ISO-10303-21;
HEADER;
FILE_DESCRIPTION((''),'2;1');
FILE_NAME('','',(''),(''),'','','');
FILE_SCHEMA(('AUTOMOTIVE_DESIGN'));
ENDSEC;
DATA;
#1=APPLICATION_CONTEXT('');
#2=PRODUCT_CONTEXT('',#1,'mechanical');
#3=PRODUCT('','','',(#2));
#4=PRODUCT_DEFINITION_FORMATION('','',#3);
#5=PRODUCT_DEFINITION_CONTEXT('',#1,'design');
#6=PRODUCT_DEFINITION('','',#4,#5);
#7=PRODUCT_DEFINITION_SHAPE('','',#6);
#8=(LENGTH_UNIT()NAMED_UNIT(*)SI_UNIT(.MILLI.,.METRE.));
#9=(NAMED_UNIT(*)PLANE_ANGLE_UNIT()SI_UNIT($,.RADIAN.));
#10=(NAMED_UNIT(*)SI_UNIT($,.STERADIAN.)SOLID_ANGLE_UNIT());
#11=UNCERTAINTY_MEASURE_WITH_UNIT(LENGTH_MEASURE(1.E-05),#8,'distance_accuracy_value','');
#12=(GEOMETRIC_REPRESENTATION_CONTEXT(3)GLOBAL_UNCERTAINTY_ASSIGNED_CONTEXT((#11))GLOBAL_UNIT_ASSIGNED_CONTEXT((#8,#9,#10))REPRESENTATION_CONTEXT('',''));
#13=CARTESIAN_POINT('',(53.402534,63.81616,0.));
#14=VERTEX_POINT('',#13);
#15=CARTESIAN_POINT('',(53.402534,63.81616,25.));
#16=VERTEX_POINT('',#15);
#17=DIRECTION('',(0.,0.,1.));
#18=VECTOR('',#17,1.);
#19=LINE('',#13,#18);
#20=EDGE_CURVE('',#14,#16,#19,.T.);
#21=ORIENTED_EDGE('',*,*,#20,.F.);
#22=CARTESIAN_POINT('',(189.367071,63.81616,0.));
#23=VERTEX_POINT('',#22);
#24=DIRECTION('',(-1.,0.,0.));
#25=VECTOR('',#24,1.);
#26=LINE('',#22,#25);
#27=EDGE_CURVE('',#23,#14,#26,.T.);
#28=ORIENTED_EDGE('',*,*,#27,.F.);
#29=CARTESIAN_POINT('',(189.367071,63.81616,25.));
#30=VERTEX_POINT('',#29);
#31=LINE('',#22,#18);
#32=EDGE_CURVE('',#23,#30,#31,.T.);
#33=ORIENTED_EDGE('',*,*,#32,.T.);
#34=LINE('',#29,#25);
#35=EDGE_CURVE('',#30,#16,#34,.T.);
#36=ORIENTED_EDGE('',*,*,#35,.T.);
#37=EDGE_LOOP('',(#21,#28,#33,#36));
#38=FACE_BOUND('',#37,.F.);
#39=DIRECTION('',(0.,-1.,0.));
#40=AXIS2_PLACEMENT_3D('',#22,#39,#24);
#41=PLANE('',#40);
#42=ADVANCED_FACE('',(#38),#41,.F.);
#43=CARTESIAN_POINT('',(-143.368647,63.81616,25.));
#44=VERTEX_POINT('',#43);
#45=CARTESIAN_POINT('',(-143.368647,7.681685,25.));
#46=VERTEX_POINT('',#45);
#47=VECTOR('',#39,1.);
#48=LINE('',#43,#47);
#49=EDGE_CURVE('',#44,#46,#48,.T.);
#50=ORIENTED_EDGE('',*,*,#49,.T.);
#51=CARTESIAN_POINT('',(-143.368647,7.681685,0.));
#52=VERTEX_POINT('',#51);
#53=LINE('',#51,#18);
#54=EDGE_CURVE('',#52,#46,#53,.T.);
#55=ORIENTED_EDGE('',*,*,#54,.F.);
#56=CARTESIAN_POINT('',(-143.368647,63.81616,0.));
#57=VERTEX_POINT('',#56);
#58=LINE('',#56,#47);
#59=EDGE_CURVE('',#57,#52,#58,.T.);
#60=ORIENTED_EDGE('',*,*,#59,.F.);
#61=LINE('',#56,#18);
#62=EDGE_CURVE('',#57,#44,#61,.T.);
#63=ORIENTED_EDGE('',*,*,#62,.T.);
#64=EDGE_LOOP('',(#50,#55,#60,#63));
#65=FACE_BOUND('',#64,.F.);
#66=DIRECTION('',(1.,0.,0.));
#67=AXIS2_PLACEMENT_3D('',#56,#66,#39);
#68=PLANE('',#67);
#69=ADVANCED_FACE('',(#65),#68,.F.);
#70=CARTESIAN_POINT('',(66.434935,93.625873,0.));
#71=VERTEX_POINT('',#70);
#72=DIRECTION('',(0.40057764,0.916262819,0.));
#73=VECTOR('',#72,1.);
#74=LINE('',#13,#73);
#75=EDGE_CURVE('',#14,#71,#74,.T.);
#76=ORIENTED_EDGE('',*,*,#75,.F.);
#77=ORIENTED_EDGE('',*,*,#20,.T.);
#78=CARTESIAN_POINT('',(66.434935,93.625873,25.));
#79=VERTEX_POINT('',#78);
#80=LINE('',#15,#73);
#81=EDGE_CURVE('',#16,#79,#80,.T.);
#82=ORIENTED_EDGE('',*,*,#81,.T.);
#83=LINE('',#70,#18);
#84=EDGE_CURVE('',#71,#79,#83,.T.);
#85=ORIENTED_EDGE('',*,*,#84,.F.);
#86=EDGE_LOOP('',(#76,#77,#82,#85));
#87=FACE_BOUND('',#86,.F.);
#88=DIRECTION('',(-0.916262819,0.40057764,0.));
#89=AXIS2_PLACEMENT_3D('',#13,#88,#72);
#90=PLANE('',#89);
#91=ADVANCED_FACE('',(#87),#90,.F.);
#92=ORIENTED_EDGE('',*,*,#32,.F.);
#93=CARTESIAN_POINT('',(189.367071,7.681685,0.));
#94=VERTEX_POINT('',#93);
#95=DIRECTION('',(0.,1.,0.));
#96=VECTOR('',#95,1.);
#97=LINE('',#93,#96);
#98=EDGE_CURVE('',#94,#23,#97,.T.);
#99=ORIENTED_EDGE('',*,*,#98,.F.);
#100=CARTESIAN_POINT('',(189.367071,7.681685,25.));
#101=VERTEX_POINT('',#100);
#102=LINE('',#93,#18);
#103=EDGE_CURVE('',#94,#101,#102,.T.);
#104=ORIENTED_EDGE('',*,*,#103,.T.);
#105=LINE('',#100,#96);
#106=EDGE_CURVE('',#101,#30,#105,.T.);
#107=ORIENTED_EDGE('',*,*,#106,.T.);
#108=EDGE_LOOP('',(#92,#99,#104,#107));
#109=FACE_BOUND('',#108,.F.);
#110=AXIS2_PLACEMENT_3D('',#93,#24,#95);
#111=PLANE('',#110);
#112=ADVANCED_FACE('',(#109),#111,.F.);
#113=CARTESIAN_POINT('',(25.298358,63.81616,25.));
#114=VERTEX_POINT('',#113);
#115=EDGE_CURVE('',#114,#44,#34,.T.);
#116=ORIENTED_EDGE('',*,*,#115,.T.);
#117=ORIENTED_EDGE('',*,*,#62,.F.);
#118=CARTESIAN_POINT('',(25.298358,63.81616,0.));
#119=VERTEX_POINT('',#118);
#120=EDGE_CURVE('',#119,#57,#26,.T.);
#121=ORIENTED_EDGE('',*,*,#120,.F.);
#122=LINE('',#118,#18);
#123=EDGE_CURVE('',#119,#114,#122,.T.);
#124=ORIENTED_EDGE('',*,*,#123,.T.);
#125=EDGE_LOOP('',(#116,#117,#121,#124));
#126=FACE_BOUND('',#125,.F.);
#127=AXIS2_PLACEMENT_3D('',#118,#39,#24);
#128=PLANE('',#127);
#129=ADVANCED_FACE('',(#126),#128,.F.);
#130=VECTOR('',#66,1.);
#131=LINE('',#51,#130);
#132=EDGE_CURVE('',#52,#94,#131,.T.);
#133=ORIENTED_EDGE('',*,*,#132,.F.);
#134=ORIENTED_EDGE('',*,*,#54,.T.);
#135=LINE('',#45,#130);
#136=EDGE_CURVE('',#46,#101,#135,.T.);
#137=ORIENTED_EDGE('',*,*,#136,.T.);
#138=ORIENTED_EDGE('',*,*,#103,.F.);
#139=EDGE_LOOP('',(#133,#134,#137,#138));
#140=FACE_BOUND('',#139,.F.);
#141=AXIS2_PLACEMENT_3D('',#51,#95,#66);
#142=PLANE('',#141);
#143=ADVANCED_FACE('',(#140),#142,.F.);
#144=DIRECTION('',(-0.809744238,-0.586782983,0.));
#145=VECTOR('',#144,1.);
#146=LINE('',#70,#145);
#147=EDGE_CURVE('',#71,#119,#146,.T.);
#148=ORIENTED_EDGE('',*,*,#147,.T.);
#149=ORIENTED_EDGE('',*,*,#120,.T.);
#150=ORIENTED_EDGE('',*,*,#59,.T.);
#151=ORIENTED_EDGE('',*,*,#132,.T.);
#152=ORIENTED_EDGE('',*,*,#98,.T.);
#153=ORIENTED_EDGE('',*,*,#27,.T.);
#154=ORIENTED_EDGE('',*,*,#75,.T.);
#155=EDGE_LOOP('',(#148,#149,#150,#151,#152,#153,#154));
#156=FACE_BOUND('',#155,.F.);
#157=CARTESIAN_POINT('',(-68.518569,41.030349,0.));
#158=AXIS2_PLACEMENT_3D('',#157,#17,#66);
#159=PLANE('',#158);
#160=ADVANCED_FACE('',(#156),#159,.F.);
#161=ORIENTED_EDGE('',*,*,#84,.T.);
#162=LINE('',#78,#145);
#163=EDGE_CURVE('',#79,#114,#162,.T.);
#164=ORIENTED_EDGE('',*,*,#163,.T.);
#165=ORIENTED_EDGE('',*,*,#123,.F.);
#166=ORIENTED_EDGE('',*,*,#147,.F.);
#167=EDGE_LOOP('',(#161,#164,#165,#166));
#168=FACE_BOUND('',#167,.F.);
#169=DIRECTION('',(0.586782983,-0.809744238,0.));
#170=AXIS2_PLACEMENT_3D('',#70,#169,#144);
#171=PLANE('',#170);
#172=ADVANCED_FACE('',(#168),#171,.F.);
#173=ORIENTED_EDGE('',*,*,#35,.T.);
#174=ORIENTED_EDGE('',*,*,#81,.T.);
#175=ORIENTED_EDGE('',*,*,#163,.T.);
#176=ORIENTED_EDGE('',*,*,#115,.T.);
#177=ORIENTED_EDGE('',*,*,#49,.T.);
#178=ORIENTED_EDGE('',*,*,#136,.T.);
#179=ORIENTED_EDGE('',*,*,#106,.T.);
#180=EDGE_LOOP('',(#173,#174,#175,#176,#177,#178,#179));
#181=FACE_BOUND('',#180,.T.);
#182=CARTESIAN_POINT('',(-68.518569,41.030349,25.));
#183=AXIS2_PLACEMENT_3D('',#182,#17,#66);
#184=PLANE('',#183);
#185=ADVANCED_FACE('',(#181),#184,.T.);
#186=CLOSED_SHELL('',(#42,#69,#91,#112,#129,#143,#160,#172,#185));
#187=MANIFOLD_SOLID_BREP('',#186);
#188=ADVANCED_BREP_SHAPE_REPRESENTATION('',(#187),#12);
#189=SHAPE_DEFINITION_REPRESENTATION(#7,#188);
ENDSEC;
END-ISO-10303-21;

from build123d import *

# Parameters (mm, degrees)
F1_DEPTH = 25


with BuildPart() as f1:
    # F0 (on Top) → F1 (new body)
    with BuildSketch(Plane.XY):
        Polygon((-143.368647, 7.681685), (-52.16566, 7.681685), (25.298358, 63.81616), (-143.368647, 63.81616), align=None)
        Polygon((25.298358, 63.81616), (-52.16566, 7.681685), (189.367071, 7.681685), (189.367071, 63.81616), (53.402534, 63.81616), align=None)
        Polygon((66.434935, 93.625873), (25.298358, 63.81616), (53.402534, 63.81616), align=None)
    extrude(amount=F1_DEPTH)


solid = f1.part
